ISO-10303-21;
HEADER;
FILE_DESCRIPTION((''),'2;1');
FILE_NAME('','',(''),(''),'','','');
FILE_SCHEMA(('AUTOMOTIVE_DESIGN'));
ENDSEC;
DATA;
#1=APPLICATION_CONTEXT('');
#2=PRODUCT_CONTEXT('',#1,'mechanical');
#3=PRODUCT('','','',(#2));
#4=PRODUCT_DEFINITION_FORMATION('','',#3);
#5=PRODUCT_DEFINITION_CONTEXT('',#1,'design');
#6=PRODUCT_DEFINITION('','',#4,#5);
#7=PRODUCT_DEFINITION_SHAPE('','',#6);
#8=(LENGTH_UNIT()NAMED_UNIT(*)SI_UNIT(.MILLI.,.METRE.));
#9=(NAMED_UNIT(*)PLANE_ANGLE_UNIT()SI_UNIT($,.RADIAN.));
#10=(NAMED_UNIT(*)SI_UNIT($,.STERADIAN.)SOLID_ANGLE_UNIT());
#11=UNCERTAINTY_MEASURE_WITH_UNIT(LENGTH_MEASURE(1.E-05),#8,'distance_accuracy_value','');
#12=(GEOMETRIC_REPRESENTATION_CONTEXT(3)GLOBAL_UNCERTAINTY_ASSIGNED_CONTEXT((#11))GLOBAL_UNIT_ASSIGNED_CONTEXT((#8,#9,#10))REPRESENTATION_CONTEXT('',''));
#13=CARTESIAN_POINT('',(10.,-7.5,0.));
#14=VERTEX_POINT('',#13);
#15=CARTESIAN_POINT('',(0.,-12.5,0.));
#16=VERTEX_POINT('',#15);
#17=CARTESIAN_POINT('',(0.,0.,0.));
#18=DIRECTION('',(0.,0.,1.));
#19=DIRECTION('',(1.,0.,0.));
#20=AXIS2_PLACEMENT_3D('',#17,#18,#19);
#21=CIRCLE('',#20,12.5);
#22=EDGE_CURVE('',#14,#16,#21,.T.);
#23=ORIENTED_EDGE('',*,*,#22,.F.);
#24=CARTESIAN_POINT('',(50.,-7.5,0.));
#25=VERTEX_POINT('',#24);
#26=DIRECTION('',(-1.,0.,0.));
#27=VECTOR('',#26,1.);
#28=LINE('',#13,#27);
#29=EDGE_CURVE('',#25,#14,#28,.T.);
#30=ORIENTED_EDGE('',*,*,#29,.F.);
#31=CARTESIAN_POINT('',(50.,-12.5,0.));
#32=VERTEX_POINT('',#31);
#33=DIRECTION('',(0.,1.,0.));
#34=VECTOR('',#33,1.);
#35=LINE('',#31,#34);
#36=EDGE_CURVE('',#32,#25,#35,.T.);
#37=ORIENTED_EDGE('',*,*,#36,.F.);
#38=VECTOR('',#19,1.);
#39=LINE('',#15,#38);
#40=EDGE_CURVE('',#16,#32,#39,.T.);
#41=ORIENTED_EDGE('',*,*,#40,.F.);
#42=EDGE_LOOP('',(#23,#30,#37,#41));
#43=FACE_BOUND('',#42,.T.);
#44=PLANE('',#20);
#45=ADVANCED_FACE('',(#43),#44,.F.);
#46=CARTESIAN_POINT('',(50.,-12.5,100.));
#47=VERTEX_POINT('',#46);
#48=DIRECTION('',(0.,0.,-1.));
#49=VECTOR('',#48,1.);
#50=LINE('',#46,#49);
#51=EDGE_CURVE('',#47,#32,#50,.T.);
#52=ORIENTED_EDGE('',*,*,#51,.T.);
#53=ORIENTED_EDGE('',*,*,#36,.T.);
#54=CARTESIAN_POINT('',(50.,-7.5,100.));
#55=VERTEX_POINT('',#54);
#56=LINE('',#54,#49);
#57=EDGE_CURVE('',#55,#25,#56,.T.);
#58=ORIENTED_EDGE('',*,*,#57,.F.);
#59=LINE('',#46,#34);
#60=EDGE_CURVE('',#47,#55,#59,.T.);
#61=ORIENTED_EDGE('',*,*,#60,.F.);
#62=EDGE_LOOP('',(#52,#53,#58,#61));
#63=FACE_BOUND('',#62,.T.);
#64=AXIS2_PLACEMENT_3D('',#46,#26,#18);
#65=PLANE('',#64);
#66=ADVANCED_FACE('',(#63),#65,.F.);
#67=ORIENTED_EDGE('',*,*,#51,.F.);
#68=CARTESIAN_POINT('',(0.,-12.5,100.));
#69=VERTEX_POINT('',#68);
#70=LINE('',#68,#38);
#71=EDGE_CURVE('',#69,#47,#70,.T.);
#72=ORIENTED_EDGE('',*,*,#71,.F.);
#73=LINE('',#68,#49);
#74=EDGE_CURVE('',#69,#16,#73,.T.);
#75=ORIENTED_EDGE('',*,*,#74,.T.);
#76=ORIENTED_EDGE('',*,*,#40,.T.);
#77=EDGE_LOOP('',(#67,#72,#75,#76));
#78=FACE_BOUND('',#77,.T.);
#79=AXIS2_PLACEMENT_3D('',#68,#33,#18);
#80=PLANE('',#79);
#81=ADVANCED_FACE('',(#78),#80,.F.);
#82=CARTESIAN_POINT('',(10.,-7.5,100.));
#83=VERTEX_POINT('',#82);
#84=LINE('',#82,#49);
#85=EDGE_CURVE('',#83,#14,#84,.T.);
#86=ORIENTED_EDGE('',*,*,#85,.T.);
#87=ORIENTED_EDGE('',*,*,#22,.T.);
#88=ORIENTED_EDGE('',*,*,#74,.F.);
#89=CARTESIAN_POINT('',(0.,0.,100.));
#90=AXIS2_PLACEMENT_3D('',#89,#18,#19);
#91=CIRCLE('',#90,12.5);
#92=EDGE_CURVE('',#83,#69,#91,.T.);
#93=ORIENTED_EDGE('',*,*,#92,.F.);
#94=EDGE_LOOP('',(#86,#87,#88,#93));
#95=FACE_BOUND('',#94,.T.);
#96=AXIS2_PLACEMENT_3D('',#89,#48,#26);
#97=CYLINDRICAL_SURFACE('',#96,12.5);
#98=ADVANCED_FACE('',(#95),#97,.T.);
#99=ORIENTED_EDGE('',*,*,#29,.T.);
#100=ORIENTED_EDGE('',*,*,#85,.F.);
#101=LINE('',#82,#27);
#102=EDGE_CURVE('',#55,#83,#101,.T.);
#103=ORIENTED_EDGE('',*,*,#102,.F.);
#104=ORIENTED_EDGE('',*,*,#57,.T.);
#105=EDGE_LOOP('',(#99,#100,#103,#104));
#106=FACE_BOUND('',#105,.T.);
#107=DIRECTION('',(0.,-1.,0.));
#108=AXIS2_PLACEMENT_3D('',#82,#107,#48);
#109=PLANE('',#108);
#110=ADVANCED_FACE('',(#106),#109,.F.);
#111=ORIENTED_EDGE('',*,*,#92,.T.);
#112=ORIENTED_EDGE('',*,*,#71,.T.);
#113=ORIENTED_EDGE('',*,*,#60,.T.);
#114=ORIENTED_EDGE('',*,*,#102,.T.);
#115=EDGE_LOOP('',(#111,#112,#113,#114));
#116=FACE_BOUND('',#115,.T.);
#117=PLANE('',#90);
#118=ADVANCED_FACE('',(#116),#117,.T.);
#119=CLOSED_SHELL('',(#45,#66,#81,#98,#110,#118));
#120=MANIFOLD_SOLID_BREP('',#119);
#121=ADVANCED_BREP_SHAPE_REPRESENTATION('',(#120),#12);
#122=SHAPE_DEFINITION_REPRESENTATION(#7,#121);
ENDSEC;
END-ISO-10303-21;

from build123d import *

# Parameters (mm, degrees)
BOSS_EXTRUDE1_DEPTH = 100


with BuildPart() as part:
    # Sketch1 → Boss-Extrude1 (new body)
    with BuildSketch(Plane.XY):
        with BuildLine():
            Line((0, -12.5), (50, -12.5))
            Line((50, -12.5), (50, -7.5))
            Line((50, -7.5), (10, -7.5))
            ThreePointArc((10, -7.5), (-5.590169944, 11.180339887), (0, -12.5))
        make_face()
    extrude(amount=BOSS_EXTRUDE1_DEPTH)


solid = part.part
